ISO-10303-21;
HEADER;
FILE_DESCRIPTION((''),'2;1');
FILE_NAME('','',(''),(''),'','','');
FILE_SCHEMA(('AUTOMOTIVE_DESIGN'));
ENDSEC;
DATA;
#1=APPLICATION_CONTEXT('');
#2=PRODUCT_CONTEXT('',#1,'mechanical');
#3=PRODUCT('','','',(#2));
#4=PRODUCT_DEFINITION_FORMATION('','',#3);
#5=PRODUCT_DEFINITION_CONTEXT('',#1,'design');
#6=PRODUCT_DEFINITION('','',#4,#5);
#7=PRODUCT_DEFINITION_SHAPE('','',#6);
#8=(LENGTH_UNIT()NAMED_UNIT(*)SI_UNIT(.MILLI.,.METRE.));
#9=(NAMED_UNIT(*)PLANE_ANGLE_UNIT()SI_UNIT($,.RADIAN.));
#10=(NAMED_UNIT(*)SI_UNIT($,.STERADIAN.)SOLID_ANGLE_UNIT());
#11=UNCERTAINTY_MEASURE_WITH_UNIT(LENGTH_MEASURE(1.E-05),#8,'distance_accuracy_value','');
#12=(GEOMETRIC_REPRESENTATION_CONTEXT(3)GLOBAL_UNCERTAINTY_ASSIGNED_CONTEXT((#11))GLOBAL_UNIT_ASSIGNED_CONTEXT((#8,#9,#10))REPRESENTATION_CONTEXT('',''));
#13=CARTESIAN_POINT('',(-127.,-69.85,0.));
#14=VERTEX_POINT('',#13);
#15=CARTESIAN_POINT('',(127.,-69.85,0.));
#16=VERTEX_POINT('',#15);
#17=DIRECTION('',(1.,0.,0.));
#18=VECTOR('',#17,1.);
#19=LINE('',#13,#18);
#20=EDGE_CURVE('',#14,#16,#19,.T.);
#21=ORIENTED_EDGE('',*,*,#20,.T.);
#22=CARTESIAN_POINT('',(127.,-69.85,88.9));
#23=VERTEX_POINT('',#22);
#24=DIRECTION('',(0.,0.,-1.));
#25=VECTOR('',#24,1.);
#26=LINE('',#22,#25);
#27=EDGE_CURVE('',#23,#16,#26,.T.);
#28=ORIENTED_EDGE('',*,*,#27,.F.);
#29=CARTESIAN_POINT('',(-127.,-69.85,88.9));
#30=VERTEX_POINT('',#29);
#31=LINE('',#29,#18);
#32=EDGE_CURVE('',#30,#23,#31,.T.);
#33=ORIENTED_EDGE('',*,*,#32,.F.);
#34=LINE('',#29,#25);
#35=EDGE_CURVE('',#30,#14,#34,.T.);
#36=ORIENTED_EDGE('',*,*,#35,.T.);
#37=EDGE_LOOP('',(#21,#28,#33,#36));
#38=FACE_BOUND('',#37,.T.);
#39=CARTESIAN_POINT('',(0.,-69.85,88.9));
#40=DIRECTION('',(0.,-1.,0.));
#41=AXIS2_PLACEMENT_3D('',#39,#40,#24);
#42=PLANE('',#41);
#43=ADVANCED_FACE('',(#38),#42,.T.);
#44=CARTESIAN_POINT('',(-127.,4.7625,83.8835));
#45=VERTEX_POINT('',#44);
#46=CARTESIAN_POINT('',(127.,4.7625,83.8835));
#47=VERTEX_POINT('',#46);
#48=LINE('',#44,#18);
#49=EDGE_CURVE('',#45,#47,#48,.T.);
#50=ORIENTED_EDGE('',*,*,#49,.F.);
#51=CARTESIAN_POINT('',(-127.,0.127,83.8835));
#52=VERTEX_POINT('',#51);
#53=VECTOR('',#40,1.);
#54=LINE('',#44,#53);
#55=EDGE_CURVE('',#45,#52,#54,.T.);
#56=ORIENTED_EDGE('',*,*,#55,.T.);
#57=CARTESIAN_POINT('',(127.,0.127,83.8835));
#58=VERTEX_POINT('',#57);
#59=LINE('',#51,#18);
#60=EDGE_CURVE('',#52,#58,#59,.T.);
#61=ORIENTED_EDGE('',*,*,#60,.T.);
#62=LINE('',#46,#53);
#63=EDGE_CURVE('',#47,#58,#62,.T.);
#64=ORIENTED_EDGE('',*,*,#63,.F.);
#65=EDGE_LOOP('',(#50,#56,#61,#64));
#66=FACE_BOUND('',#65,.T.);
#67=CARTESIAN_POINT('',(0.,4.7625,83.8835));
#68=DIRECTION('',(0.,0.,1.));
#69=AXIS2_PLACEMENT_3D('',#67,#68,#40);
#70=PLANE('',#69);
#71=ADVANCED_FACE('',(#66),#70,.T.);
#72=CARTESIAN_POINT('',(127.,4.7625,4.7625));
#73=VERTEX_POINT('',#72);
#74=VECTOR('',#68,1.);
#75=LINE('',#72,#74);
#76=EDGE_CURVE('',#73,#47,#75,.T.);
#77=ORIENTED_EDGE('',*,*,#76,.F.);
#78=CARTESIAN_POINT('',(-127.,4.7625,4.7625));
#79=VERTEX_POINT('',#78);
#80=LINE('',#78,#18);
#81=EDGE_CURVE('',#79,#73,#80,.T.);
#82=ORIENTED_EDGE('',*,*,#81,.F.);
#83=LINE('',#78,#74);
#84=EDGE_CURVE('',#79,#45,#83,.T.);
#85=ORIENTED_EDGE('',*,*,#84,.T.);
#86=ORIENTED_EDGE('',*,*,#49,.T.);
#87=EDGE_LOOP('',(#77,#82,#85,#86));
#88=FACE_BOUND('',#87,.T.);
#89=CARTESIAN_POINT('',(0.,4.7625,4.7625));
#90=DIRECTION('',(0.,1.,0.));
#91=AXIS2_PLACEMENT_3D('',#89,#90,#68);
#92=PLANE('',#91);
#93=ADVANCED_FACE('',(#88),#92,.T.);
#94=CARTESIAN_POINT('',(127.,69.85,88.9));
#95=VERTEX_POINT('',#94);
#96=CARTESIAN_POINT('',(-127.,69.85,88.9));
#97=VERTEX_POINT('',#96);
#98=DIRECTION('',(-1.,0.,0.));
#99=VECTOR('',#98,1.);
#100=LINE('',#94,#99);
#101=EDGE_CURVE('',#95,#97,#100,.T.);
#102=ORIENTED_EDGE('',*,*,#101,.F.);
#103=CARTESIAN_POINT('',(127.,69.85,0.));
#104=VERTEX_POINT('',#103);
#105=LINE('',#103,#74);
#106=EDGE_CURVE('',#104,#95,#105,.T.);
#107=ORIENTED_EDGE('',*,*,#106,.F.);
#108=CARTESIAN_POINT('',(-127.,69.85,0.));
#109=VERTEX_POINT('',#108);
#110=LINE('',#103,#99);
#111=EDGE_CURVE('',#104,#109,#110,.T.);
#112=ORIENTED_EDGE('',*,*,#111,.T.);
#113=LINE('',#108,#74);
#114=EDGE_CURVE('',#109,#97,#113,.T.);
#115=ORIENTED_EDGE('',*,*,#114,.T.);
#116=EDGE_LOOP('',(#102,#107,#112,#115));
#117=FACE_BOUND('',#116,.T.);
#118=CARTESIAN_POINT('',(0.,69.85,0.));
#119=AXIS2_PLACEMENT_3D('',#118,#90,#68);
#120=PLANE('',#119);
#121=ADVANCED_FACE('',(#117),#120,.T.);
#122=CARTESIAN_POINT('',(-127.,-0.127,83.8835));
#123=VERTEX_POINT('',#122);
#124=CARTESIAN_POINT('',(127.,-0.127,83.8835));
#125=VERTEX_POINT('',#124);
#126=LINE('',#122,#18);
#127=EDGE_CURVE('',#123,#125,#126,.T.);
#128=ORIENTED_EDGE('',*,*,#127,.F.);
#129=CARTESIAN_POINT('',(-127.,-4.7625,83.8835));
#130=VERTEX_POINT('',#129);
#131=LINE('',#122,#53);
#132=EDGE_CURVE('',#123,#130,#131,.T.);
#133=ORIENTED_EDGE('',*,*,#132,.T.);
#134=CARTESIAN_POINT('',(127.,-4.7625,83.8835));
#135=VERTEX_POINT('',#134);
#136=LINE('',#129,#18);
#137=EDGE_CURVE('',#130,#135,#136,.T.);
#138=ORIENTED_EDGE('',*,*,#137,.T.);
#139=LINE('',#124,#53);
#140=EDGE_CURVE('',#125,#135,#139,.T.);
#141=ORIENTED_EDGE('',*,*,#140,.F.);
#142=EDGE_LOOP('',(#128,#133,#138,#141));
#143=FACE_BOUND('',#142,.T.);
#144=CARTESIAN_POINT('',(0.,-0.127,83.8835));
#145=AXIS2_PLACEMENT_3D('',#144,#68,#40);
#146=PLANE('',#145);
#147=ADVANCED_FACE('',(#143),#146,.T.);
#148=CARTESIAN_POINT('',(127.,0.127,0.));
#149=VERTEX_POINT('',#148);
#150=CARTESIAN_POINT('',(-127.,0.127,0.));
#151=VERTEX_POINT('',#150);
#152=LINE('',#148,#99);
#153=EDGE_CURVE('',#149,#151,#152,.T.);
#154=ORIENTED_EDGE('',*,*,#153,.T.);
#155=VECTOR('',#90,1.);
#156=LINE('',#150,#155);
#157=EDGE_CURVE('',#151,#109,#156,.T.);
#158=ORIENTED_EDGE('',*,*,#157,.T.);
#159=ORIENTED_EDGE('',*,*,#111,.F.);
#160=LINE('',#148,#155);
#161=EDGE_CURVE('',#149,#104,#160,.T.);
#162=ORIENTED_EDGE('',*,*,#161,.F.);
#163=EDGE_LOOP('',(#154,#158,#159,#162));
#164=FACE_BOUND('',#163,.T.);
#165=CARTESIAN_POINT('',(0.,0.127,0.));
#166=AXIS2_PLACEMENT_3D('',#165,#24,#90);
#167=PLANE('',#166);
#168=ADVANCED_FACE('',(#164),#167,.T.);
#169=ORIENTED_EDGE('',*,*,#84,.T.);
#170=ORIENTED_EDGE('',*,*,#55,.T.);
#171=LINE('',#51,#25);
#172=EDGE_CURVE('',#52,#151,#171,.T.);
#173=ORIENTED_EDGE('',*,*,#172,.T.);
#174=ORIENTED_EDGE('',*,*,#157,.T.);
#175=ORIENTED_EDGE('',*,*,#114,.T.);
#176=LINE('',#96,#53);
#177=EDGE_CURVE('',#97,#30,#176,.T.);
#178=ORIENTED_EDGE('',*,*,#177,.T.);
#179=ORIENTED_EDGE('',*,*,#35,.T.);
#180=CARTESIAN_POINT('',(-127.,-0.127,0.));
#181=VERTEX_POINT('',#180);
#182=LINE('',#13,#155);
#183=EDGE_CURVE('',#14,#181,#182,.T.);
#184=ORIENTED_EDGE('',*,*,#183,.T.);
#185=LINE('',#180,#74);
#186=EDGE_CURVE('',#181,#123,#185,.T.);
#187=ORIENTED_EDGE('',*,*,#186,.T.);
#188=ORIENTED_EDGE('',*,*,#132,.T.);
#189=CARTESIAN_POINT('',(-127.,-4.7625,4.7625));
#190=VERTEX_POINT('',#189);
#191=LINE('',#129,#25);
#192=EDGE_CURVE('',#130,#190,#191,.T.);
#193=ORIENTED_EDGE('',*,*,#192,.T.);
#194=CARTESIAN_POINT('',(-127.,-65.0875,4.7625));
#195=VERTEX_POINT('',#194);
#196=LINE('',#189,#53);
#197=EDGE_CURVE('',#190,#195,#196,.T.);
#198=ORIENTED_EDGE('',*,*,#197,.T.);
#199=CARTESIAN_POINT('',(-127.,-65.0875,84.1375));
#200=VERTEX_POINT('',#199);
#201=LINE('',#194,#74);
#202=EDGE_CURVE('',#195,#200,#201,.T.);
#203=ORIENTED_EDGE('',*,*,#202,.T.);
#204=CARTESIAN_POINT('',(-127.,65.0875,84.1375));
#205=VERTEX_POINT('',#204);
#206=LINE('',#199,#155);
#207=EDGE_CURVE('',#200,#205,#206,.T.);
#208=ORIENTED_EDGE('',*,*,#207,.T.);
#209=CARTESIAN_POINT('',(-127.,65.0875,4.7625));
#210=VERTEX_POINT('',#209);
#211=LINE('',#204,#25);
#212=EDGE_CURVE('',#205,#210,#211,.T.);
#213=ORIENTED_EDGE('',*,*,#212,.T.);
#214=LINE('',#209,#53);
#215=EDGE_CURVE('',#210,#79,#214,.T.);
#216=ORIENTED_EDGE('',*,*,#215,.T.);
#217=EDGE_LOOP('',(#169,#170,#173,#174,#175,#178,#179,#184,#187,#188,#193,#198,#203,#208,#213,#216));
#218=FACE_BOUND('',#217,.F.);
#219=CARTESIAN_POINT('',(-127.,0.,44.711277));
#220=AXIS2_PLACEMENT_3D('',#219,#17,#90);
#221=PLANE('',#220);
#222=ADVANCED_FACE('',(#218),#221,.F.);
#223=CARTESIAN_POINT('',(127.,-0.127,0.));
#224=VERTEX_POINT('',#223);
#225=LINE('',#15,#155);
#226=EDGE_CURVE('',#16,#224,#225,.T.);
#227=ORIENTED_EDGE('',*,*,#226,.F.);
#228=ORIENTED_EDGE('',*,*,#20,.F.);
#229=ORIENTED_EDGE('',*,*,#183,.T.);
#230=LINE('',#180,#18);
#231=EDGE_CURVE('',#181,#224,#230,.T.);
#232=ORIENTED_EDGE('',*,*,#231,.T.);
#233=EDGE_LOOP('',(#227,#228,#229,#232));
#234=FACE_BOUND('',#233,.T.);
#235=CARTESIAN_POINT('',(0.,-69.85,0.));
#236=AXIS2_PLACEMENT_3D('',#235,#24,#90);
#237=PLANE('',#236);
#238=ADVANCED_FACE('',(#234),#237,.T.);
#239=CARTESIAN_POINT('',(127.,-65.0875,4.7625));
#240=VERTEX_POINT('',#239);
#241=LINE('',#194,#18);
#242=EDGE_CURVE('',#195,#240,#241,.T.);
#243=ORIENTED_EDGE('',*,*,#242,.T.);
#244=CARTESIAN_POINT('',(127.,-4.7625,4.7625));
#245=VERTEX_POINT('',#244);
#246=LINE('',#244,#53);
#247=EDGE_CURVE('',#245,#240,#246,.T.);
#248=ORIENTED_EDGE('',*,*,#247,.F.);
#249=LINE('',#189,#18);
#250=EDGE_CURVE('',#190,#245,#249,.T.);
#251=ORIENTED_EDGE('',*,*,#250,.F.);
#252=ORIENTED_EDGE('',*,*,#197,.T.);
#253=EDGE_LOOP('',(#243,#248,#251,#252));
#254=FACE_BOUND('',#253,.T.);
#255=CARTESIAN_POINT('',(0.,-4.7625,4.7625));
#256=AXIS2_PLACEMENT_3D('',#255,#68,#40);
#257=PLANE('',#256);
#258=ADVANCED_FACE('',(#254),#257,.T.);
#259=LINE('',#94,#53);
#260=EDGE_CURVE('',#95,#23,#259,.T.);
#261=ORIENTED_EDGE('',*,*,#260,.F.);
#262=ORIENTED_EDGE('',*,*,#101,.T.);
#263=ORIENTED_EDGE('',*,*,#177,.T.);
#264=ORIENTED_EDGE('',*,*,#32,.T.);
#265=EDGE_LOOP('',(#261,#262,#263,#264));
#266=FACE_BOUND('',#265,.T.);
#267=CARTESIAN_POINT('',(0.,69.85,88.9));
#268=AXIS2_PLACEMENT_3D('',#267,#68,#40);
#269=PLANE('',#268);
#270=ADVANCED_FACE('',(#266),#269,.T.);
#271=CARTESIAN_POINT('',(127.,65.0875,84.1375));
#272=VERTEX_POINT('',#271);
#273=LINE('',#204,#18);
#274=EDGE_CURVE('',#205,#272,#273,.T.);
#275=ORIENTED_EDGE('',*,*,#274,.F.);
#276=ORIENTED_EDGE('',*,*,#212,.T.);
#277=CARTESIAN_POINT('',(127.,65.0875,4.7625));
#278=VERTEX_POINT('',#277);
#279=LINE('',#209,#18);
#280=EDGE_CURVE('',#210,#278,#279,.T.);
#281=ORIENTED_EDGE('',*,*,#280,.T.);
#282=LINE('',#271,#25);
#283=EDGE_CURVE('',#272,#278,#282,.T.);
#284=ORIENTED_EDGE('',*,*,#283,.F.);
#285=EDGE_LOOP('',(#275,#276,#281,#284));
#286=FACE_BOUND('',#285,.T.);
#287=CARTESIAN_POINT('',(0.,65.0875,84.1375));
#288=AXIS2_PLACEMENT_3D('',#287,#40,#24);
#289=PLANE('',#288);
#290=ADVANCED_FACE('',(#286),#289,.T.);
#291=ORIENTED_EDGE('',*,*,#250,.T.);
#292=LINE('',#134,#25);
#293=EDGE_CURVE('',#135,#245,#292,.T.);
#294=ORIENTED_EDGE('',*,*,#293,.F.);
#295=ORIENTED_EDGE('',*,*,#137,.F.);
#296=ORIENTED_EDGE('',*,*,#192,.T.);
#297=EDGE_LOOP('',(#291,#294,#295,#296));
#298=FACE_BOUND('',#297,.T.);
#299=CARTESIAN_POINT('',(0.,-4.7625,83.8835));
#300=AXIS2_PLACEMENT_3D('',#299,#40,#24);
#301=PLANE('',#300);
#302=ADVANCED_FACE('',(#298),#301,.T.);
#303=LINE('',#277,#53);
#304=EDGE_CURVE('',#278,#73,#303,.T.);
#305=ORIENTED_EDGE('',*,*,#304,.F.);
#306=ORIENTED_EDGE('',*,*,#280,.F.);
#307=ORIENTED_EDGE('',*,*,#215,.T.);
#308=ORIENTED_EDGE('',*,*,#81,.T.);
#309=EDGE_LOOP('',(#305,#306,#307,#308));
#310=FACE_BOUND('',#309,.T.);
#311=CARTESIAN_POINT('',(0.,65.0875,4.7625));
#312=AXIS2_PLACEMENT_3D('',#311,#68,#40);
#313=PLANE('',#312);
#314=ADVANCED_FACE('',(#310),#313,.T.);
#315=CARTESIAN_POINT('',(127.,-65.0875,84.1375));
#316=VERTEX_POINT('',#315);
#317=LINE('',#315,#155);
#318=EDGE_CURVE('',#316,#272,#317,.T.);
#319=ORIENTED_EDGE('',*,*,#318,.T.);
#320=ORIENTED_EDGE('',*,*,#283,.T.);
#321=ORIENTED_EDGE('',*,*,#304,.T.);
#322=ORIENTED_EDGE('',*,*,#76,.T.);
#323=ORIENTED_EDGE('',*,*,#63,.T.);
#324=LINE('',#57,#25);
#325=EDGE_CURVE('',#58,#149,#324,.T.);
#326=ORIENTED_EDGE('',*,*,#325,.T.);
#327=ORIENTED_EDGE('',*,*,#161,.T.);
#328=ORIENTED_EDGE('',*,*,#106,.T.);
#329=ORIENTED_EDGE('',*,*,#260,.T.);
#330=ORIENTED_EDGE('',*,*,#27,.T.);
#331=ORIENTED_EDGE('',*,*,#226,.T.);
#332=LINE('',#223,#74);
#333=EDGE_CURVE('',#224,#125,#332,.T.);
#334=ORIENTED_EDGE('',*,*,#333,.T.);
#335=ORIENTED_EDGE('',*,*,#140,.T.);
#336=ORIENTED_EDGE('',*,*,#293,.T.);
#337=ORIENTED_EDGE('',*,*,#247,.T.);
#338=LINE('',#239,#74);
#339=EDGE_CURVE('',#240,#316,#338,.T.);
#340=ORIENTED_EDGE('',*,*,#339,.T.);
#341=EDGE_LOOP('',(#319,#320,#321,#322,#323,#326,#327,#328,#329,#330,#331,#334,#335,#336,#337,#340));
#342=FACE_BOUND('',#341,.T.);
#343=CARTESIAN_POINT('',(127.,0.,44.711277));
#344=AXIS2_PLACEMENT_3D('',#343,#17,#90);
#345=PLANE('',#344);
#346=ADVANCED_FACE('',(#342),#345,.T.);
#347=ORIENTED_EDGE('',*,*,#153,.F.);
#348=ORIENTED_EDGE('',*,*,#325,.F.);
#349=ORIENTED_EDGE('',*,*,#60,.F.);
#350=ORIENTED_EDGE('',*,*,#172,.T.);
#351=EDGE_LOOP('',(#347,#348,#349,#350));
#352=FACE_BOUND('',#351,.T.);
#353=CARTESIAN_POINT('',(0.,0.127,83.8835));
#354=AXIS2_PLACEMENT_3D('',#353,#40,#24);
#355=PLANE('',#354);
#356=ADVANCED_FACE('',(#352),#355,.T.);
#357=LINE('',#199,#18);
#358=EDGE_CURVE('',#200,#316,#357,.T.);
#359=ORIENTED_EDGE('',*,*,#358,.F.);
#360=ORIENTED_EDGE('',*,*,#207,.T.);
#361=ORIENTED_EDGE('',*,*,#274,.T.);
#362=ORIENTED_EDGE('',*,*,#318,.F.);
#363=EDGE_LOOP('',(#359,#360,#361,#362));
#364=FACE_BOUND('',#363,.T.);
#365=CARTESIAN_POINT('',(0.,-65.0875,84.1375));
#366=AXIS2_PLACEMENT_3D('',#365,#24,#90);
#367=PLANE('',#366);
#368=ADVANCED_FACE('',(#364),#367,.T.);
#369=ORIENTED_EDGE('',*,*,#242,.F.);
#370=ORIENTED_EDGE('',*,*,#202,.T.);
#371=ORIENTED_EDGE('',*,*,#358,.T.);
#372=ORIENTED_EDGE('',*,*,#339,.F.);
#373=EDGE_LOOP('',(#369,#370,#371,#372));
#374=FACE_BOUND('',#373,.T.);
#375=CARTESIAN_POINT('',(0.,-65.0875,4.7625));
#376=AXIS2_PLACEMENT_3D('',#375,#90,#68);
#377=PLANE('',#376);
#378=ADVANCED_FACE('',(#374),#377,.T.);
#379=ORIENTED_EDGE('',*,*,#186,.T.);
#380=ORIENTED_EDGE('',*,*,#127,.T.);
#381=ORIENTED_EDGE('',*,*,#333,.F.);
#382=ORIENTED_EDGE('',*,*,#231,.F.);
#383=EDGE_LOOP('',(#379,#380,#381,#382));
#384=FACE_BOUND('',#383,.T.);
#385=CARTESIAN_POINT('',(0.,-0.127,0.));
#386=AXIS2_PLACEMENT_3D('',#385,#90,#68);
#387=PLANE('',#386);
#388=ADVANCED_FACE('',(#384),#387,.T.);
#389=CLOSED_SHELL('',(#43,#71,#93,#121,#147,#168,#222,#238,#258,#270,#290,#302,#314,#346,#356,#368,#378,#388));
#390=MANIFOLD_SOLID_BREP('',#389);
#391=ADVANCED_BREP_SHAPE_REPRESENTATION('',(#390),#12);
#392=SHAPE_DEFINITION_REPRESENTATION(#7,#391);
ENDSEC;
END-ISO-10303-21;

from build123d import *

# Parameters (mm, degrees)
F1_DEPTH = 127


with BuildPart() as f1:
    # F0 (on Right) → F1 (new body, symmetric)
    with BuildSketch(Plane.YZ):
        Polygon((69.85, 88.9), (-69.85, 88.9), (-69.85, 0), (-0.127, 0), (-0.127, 83.8835), (-4.7625, 83.8835), (-4.7625, 4.7625), (-65.0875, 4.7625), (-65.0875, 84.1375), (65.0875, 84.1375), (65.0875, 4.7625), (4.7625, 4.7625), (4.7625, 83.8835), (0.127, 83.8835), (0.127, 0), (69.85, 0), align=None)
    extrude(amount=F1_DEPTH, both=True)


solid = f1.part
